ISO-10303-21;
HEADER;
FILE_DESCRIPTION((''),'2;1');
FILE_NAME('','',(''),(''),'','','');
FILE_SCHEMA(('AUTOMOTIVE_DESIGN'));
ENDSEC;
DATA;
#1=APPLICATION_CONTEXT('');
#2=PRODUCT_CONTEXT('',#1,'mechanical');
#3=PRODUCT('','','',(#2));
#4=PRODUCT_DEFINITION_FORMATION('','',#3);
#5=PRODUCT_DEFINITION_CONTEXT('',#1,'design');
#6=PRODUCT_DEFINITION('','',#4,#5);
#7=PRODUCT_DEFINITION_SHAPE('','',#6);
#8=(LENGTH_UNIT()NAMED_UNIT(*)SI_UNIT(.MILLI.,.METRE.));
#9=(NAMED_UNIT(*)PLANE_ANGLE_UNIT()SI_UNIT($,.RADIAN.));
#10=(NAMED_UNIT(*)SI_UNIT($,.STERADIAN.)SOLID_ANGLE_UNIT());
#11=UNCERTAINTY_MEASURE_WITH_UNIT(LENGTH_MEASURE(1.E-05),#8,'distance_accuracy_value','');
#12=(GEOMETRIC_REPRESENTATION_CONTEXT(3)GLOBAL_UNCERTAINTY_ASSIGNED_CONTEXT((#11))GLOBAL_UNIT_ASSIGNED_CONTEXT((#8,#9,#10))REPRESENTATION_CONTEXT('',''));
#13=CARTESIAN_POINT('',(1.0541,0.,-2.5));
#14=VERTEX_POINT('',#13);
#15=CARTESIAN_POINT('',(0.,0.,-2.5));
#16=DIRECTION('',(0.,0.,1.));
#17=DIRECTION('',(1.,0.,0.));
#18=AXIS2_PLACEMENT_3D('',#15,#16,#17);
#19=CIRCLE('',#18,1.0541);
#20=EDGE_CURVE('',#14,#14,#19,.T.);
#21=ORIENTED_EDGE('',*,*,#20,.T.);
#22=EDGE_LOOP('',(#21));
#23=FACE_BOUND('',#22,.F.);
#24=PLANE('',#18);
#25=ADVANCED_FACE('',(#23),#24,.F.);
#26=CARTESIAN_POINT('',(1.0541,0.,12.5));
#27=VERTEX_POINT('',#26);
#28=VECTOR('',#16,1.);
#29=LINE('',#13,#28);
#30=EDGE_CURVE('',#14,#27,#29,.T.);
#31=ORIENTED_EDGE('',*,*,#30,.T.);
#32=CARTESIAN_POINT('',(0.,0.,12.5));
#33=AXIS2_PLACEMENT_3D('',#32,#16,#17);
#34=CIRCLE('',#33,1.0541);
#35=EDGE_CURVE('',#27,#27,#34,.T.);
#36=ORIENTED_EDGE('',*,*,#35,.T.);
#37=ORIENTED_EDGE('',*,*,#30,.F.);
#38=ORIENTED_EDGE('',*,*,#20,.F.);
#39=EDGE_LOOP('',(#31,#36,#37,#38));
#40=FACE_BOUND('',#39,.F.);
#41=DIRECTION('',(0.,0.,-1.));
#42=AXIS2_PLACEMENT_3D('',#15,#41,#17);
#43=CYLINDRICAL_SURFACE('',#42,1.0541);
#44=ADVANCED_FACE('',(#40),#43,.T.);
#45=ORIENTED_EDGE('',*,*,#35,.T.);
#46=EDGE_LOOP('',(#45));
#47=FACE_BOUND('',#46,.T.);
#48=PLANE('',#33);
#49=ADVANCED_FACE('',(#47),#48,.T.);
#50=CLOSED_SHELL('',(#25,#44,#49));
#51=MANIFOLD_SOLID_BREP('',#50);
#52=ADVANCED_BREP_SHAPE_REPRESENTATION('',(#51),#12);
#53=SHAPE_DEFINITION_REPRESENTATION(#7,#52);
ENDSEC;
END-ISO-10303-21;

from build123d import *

# Parameters (mm, degrees)
CYLINDER_R     = 1.0541
CYLINDER_DEPTH = 15


with BuildPart() as part:
    # Cylinder → Cylinder (new body)
    with BuildSketch(Plane.XY.offset(-2.5)):
        Circle(CYLINDER_R)
    extrude(amount=CYLINDER_DEPTH)


solid = part.part
